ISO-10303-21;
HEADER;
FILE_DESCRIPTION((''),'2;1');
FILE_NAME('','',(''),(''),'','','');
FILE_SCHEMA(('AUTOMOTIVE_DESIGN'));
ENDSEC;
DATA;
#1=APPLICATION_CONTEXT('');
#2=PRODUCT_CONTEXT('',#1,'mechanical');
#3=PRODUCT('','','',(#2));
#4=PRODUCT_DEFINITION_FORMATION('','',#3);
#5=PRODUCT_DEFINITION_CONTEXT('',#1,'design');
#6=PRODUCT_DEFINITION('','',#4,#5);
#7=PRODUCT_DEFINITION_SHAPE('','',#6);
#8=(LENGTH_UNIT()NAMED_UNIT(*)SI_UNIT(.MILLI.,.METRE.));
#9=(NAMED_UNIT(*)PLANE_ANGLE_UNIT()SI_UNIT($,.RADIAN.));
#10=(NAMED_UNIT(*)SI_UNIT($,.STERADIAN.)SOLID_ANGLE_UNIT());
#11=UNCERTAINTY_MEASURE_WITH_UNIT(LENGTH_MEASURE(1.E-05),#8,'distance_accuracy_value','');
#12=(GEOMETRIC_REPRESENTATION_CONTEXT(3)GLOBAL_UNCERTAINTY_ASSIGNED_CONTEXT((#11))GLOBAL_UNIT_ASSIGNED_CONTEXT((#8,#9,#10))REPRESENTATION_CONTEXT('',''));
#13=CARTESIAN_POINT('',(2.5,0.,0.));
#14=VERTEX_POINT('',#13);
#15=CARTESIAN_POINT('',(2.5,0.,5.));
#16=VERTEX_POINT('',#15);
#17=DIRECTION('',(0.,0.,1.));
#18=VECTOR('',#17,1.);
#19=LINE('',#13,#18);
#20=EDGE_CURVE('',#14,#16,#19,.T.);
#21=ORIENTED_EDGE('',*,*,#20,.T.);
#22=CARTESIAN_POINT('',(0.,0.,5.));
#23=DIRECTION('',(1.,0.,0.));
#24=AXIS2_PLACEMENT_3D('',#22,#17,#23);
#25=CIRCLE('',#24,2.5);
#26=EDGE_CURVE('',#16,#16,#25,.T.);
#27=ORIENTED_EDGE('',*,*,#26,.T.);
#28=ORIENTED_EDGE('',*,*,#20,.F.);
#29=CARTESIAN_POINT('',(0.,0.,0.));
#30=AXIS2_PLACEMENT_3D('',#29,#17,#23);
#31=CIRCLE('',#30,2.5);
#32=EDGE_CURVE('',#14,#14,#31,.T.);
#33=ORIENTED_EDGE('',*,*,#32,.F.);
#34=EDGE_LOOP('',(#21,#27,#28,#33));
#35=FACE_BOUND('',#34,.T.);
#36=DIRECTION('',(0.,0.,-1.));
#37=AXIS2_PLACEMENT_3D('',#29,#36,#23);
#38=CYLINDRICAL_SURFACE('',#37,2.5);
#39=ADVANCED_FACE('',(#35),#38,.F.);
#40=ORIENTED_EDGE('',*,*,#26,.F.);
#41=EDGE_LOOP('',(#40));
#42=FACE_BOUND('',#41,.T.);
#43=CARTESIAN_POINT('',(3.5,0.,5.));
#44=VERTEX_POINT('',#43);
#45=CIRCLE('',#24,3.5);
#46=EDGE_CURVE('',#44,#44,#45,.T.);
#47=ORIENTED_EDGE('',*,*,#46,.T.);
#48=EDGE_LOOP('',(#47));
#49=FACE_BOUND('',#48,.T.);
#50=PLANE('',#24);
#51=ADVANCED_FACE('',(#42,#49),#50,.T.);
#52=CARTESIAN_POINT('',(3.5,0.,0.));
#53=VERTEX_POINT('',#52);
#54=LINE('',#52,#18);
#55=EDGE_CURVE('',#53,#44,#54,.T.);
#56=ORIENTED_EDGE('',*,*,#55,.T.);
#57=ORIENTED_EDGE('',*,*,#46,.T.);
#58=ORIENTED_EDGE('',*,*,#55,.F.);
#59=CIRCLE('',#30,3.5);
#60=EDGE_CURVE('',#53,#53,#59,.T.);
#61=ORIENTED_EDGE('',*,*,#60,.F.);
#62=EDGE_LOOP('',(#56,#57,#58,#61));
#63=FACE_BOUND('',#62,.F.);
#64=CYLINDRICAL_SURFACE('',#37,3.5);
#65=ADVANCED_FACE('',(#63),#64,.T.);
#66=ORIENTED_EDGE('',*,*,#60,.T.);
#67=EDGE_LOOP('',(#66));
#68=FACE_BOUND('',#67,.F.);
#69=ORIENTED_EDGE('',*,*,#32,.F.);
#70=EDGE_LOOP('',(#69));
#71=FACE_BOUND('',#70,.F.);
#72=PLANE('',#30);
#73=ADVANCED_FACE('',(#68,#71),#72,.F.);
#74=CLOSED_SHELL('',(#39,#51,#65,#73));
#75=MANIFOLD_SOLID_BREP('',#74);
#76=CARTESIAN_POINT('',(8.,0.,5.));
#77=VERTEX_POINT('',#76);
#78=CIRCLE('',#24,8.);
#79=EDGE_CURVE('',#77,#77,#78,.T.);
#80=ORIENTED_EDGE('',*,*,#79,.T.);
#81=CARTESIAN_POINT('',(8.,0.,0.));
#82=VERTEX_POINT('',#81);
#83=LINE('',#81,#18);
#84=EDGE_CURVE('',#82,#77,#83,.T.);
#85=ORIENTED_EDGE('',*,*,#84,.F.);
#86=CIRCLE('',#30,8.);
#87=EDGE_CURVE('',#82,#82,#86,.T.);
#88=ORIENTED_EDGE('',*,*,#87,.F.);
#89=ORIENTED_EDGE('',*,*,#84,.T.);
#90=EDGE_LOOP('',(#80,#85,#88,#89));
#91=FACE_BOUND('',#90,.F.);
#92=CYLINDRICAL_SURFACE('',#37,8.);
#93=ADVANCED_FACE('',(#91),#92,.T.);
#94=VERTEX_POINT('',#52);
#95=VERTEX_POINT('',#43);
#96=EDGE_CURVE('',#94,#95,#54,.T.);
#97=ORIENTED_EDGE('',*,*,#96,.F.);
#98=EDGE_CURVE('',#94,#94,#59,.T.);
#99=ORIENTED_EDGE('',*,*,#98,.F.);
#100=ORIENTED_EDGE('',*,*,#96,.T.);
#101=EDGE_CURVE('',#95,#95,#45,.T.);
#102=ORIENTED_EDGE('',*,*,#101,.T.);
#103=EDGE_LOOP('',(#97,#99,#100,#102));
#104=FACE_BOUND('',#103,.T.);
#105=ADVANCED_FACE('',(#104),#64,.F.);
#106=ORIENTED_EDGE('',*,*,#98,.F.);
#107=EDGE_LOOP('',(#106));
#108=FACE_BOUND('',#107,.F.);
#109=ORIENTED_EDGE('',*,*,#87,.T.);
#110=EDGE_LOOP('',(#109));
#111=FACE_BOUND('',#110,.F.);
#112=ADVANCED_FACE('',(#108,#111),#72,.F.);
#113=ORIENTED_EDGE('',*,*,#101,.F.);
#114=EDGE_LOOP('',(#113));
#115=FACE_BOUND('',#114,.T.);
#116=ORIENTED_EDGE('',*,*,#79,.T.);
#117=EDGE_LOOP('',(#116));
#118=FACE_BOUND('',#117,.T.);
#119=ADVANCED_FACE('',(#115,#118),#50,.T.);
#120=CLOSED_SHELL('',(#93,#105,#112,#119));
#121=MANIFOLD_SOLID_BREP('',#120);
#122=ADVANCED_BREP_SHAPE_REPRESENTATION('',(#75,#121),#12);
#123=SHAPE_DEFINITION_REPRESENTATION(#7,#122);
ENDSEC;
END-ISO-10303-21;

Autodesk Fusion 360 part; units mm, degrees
sketch "Sketch1" plane through (0, 0, 0) normal (0, 0, 1) x (1, 0, 0) in component "inner bearing"
  circle A0 centre (0, 0) radius 3.5
  circle A1 centre (0, 0) radius 2.5
  dimension "d1" = 5
  dimension "d2" = 1
extrude "Extrude1" add sketch "Sketch1" along normal blind 5 makes body 1 in component "inner bearing"
sketch "Sketch1 (2)" plane through (0, 0, 0) normal (0, 0, 1) x (1, 0, 0) in component "outer bearing"
  circle A0 centre (0, 0) radius 8
  circle A1 centre (0, 0) radius 3.5
  dimension "d5" = 16
extrude "Extrude1'" add sketch "Sketch1 (2)" along normal up to surface (5 mm away) separate body makes body 2 in component "outer bearing"
component "inner bearing" placed x (1, 0, 0) y (0, 1, 0) z (0, 0, 1) at (0, 0, 0)
component "outer bearing" placed x (1, 0, 0) y (0, 1, 0) z (0, 0, 1) at (0, 0, 0)
